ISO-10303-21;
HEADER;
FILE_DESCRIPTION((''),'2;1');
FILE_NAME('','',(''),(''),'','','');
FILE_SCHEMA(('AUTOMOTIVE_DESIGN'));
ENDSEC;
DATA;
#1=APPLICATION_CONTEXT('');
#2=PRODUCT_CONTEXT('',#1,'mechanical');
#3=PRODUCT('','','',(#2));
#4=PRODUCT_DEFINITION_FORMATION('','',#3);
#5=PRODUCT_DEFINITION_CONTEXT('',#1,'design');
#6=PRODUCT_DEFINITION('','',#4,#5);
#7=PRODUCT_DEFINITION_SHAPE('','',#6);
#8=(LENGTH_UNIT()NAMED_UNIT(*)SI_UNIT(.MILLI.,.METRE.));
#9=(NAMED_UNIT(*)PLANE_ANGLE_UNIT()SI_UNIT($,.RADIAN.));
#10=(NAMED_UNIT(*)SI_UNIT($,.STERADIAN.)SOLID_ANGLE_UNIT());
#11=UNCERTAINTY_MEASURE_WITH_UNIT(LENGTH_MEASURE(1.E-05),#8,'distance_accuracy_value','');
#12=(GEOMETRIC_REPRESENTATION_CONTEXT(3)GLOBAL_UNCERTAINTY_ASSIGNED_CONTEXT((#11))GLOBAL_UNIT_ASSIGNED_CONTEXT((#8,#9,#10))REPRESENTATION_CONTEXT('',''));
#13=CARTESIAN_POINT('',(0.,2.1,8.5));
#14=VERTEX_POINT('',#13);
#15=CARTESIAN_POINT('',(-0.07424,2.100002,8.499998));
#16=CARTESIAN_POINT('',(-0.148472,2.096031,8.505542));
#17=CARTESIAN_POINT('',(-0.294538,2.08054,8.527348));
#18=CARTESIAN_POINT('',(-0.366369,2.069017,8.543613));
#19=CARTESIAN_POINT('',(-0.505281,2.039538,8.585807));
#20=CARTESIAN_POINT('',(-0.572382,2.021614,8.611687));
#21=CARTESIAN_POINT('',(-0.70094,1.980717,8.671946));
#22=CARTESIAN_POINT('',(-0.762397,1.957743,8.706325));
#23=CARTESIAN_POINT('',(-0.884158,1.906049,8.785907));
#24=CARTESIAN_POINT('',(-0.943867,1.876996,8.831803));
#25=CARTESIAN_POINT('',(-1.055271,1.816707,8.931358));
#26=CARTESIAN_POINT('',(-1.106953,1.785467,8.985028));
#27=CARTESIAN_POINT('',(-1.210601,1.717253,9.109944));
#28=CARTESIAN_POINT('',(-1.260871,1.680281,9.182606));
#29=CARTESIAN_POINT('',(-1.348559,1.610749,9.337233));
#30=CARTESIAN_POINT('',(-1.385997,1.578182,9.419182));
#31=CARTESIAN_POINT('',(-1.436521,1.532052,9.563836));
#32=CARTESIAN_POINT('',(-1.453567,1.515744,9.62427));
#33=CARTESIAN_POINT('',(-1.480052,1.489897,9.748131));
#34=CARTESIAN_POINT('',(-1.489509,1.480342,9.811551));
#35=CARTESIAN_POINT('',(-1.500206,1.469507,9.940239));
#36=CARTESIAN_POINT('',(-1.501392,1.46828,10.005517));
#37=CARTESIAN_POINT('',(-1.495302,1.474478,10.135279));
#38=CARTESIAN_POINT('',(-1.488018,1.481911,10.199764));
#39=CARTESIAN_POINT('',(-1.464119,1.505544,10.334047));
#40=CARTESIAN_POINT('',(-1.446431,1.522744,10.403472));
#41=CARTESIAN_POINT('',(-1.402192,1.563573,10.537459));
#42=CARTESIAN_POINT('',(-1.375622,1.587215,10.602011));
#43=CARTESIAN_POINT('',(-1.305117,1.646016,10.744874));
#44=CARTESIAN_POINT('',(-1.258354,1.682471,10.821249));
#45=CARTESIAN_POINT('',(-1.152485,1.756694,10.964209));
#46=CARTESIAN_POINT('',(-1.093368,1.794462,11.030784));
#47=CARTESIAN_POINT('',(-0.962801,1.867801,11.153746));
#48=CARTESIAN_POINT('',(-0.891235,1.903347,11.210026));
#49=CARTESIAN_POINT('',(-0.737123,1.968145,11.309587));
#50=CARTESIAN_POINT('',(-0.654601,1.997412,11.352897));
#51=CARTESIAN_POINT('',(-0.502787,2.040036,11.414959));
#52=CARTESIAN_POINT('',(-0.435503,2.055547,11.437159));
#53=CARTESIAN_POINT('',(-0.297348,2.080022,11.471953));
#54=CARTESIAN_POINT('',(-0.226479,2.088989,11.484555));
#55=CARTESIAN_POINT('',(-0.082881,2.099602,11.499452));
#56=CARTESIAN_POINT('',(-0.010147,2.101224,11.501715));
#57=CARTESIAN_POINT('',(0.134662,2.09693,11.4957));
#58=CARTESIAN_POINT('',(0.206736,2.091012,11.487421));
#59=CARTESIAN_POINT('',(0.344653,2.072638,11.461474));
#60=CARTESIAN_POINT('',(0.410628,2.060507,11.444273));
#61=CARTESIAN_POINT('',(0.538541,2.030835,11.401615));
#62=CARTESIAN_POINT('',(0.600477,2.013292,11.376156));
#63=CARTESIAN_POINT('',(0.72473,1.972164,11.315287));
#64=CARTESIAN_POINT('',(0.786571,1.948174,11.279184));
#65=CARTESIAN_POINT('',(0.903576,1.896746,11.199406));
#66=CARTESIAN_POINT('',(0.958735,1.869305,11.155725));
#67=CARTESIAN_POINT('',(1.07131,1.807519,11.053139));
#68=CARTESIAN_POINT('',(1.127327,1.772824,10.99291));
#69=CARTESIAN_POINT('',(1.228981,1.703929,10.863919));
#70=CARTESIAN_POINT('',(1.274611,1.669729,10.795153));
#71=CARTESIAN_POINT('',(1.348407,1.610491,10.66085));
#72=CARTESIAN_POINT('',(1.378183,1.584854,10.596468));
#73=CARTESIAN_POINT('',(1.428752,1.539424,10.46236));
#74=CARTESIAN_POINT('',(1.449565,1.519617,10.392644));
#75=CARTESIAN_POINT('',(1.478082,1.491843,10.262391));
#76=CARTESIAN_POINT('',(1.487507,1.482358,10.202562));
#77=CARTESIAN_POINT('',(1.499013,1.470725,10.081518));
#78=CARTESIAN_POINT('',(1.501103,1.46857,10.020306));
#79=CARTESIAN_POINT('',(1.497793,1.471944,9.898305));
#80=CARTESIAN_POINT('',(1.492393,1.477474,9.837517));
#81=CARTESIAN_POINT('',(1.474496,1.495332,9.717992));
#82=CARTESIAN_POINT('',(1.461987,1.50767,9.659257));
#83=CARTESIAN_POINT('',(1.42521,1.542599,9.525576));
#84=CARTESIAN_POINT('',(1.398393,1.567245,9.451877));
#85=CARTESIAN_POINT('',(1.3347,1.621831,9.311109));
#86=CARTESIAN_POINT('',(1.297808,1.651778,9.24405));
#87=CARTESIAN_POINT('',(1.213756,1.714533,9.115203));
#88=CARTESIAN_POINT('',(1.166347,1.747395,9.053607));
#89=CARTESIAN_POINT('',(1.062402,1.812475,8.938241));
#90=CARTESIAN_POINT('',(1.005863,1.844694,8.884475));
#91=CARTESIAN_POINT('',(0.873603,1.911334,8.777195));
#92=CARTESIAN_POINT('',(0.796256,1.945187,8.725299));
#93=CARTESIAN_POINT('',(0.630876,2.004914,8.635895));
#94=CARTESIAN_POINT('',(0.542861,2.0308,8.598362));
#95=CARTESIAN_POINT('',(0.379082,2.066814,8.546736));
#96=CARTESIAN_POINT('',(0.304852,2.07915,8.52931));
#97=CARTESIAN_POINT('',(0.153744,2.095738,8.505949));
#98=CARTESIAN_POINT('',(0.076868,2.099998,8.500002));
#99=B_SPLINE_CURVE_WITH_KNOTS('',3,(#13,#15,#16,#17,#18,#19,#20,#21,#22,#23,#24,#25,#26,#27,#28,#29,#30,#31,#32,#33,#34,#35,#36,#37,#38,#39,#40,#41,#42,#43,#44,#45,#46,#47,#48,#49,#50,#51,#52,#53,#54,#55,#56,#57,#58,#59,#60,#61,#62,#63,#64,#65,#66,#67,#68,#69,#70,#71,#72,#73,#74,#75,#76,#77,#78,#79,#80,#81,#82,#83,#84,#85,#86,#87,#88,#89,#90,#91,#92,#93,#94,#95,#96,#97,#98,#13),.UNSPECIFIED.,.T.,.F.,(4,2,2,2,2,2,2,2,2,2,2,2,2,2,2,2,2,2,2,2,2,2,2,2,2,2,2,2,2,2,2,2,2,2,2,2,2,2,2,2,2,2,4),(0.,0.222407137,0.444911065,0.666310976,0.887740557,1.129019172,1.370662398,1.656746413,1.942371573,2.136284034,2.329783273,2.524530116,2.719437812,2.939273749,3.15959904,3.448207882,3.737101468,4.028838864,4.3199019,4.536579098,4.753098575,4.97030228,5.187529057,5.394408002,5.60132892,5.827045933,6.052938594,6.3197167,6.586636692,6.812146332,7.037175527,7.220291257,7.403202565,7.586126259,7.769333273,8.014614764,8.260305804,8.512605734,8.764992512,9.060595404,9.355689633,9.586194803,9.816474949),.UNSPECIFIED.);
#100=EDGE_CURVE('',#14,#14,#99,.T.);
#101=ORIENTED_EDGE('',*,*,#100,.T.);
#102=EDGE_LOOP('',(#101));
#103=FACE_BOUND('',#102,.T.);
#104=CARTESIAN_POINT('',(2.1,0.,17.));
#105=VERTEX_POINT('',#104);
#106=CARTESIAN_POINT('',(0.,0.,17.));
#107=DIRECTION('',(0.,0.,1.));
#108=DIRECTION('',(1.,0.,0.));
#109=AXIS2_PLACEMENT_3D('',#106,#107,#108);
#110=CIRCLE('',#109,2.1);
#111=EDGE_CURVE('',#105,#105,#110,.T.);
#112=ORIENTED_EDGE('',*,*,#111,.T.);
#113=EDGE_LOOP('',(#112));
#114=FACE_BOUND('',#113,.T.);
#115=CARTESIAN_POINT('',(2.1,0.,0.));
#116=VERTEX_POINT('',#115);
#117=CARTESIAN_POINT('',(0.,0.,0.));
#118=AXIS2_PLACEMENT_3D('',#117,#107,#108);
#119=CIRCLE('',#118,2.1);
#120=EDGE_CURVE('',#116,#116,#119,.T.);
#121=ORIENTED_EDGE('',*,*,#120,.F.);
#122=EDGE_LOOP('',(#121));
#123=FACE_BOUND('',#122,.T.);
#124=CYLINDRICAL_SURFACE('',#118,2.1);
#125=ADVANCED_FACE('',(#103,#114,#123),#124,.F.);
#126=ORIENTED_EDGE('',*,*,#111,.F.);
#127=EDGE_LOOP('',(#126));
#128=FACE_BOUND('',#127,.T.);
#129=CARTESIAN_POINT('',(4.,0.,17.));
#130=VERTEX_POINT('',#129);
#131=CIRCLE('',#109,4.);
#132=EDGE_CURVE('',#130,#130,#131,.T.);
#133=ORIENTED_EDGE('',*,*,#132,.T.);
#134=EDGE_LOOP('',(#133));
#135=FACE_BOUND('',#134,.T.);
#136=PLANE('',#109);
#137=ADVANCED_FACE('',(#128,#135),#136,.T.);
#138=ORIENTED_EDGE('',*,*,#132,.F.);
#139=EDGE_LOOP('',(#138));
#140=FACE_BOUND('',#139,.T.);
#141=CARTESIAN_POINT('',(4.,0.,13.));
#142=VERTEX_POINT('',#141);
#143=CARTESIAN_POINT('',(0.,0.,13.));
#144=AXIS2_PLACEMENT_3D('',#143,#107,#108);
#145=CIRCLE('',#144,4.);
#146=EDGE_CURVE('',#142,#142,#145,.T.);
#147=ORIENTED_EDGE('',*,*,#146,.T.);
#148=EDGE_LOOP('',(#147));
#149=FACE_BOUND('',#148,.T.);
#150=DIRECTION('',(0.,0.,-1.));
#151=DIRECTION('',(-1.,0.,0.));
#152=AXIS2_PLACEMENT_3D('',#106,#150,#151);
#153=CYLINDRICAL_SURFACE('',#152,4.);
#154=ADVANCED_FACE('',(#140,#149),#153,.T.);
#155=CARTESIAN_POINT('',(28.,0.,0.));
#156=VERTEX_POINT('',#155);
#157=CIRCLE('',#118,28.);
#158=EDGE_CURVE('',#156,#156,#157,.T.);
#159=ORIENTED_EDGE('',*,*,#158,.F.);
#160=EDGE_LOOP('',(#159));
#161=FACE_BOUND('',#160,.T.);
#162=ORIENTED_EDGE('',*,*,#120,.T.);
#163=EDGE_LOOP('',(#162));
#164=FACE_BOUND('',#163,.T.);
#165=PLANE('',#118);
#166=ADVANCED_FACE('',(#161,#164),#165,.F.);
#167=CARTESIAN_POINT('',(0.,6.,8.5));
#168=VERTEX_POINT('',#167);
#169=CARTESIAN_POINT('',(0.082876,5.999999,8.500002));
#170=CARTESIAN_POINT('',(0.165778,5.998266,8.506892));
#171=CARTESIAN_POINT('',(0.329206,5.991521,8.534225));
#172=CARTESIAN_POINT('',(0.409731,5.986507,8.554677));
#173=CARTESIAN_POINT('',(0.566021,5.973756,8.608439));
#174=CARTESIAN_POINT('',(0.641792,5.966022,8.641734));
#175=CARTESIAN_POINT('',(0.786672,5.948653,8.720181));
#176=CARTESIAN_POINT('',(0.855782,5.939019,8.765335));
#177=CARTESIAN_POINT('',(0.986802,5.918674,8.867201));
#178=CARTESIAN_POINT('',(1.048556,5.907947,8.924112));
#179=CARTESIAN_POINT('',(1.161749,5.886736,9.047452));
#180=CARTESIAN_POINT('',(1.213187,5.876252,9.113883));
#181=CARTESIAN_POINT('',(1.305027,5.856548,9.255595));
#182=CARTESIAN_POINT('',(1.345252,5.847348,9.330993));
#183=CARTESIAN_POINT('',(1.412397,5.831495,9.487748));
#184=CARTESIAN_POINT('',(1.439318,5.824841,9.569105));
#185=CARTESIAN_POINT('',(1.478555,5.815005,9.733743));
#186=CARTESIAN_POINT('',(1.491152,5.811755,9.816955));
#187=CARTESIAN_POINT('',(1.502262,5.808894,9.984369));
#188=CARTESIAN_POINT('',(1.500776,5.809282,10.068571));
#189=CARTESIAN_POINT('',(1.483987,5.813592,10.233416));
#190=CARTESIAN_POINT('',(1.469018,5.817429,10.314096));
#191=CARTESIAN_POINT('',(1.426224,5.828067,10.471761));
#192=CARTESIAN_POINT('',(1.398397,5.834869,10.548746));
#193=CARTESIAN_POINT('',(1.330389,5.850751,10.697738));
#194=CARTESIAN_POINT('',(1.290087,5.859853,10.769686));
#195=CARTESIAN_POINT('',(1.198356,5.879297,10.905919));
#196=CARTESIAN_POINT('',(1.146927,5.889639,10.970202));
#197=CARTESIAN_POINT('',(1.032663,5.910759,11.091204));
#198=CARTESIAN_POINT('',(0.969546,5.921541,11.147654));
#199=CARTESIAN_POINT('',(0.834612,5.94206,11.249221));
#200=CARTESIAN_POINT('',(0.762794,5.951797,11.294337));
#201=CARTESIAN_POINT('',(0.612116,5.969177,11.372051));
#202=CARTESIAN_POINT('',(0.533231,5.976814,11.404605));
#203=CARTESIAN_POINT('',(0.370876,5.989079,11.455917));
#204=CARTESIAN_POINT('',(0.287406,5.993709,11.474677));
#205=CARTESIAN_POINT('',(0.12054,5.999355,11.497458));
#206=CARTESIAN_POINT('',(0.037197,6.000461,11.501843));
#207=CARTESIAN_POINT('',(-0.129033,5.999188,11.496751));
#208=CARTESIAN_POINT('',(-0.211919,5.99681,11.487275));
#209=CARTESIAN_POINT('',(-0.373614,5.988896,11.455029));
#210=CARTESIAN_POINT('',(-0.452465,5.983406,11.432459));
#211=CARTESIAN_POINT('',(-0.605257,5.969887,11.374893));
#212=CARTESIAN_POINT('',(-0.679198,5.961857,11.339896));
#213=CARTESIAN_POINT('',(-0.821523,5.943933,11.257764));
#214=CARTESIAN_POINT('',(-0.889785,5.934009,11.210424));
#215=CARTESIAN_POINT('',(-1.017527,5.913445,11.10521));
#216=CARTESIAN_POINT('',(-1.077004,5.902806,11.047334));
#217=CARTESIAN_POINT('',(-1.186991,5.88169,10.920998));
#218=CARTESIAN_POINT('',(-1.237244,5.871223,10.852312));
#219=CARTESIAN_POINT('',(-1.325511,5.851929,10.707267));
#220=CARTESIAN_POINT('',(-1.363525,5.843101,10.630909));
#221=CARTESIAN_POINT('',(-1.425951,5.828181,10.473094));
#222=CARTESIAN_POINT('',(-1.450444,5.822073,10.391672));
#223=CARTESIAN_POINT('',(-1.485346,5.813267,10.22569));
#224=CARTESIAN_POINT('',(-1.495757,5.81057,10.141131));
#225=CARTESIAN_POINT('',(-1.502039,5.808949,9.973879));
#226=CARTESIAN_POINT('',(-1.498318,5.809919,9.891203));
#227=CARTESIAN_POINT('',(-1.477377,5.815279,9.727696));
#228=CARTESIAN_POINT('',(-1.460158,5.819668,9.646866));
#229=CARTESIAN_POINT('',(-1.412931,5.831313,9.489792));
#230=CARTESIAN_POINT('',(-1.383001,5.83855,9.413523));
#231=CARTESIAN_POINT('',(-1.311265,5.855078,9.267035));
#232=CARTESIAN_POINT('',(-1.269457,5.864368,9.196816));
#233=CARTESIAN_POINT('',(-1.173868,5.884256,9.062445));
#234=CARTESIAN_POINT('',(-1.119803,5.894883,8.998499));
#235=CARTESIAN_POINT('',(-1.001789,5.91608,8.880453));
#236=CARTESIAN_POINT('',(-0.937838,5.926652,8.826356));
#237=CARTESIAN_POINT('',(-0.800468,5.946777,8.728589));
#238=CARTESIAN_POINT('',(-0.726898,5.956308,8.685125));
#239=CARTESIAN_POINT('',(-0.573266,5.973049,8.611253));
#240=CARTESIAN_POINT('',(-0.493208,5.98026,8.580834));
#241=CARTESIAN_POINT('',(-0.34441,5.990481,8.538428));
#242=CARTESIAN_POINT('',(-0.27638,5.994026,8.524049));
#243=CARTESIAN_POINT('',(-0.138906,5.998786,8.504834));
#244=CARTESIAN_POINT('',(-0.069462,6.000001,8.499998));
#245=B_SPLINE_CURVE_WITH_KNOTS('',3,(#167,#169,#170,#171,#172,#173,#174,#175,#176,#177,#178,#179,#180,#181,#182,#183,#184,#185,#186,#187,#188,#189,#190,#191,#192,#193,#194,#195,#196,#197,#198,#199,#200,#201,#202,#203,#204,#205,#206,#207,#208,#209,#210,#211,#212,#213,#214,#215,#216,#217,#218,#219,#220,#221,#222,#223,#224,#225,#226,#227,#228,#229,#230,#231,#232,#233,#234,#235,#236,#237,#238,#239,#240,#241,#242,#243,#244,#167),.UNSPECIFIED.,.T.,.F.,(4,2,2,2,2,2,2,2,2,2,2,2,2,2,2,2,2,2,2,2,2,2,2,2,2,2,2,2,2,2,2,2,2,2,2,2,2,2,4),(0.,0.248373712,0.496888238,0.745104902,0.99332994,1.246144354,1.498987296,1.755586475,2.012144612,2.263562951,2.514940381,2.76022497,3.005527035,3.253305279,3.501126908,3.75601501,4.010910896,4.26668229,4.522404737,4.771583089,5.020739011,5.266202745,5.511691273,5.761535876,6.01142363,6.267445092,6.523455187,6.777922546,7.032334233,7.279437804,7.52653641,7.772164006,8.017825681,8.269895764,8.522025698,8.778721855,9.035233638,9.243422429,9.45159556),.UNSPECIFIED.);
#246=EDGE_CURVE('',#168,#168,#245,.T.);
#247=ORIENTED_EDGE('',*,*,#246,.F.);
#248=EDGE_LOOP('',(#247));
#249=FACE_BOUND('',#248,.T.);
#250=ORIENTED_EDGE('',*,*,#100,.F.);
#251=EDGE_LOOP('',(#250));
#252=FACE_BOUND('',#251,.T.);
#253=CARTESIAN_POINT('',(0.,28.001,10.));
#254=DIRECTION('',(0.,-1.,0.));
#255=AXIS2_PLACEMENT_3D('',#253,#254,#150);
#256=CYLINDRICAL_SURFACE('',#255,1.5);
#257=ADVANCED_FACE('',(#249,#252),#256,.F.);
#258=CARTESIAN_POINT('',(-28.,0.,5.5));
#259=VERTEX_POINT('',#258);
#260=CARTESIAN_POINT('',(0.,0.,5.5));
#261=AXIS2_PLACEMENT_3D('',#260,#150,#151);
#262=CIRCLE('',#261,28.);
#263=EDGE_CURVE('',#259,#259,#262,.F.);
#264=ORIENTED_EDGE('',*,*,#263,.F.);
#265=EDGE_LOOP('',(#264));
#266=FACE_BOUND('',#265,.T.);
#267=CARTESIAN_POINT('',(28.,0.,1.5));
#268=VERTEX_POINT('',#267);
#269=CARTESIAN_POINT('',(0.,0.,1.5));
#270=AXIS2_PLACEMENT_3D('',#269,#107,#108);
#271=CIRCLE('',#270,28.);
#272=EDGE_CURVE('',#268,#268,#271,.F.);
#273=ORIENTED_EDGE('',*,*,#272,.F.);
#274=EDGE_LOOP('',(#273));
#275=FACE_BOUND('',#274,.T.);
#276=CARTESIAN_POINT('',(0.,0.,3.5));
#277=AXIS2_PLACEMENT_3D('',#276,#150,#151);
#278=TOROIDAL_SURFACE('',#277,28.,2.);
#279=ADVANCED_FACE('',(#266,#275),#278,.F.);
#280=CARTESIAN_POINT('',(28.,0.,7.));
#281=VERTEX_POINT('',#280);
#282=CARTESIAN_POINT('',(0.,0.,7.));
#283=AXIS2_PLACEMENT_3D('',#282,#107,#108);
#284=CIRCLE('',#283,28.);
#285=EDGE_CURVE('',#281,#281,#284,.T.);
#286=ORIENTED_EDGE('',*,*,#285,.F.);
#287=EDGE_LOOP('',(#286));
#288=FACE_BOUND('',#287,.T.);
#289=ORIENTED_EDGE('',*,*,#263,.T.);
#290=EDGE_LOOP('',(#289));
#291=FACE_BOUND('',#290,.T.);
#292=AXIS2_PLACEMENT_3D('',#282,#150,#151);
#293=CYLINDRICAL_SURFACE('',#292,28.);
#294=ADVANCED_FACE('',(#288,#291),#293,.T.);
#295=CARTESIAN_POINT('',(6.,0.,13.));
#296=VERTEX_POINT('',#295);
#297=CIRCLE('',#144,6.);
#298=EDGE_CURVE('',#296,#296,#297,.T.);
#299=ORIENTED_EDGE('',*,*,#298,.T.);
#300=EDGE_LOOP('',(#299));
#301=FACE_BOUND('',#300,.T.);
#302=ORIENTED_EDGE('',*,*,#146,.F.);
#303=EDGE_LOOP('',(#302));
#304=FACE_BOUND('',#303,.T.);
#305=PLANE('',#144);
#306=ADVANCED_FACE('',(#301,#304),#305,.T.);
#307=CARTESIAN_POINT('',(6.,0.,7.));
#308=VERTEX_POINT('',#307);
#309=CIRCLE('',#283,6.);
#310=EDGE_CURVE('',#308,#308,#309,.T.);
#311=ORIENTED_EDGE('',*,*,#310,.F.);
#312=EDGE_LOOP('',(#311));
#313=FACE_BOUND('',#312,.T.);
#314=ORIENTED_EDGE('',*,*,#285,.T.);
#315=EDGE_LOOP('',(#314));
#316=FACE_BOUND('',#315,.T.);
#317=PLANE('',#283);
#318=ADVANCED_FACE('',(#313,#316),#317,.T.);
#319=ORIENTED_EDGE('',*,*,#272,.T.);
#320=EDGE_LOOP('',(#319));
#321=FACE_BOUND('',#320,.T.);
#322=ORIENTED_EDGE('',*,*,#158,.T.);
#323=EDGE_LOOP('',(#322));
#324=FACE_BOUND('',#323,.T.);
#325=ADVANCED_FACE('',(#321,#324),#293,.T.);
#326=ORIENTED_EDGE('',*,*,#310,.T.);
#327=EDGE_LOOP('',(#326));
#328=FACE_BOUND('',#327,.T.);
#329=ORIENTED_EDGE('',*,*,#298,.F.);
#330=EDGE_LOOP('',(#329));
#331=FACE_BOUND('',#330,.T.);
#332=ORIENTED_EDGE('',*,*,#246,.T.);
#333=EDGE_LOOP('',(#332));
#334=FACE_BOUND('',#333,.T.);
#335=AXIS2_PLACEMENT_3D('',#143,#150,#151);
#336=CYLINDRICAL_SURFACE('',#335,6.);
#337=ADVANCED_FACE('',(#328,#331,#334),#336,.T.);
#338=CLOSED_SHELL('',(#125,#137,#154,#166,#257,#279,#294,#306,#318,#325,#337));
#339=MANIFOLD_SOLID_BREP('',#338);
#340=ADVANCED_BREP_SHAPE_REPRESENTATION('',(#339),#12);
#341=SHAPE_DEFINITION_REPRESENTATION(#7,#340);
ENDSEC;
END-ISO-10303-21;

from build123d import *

# Parameters (mm, degrees)
ESQUISSE1_R                  = 28
BOSS_EXTRU_1_DEPTH           = 7
ESQUISSE2_R                  = 4
BOSS_EXTRU_2_DEPTH           = 10
ESQUISSE3_R                  = 2.1
ENL_V_MAT_EXTRU_1_DEPTH      = 44.092922853
ESQUISSE4_R                  = 2
ESQUISSE5_R                  = 6
ESQUISSE5_R_2                = 4
BOSS_EXTRU_3_DEPTH           = 6
ENL_V_MAT_EXTRU_2_REACH      = 45.093
ENL_V_MAT_EXTRU_2_END_RADIUS = 6
ESQUISSE6_R                  = 1.5


with BuildPart() as part:
    # Esquisse1 → Boss.-Extru.1 (new body)
    with BuildSketch(Plane.XY):
        Circle(ESQUISSE1_R)
    extrude(amount=BOSS_EXTRU_1_DEPTH)

    # Esquisse2 → Boss.-Extru.2 (add)
    with BuildSketch(Plane.XY.offset(7)):
        Circle(ESQUISSE2_R)
    extrude(amount=BOSS_EXTRU_2_DEPTH)

    # Esquisse3 → Enlèv. mat.-Extru.1 (cut, through all)
    with BuildSketch(Plane.XY.offset(17)):
        Circle(ESQUISSE3_R)
    extrude(amount=-ENL_V_MAT_EXTRU_1_DEPTH, mode=Mode.SUBTRACT)

    # Esquisse4 → Enlèvement de matière-Révolution1 (revolve, cut)
    with BuildSketch(Plane(origin=(0, 0, 0), x_dir=(0, 0, -1), z_dir=(1, 0, 0)), mode=Mode.PRIVATE) as enl_vement_de_mati_re_r_volution1_sk:
        with Locations((-3.5, 28)):
            Circle(ESQUISSE4_R)
    revolve(enl_vement_de_mati_re_r_volution1_sk.sketch.rotate(Axis((0, 0, 0), (0, 0, 1)), 90), axis=Axis((0, 0, 0), (0, 0, 1)), mode=Mode.SUBTRACT)

    # Esquisse5 → Boss.-Extru.3 (add)
    with BuildSketch(Plane.XY.offset(7)):
        Circle(ESQUISSE5_R)
        Circle(ESQUISSE5_R_2, mode=Mode.SUBTRACT)
    extrude(amount=BOSS_EXTRU_3_DEPTH)

    # Enlèv. mat.-Extru.2: up to this cylinder (the profile starts inside it)
    enl_v_mat_extru_2_end = Plane(origin=(0, 0, 10), z_dir=(0, 0, -1)) * Cylinder(ENL_V_MAT_EXTRU_2_END_RADIUS, 103.186, mode=Mode.PRIVATE)
    # Esquisse6 → Enlèv. mat.-Extru.2 (cut, up to the surface)
    with BuildSketch(Plane(origin=(0, 0, 0), x_dir=(1, 0, 0), z_dir=(0, 1, 0)), mode=Mode.PRIVATE) as enl_v_mat_extru_2_sk1:
        with Locations(Location((0, -10, 0), (0, 0, 90))):
            Circle(ESQUISSE6_R)
    enl_v_mat_extru_2_tool1 = extrude(enl_v_mat_extru_2_sk1.sketch, amount=ENL_V_MAT_EXTRU_2_REACH, mode=Mode.PRIVATE) & enl_v_mat_extru_2_end
    add(enl_v_mat_extru_2_tool1.solids().sort_by_distance((0, 0, 10))[0], mode=Mode.SUBTRACT)


solid = part.part
